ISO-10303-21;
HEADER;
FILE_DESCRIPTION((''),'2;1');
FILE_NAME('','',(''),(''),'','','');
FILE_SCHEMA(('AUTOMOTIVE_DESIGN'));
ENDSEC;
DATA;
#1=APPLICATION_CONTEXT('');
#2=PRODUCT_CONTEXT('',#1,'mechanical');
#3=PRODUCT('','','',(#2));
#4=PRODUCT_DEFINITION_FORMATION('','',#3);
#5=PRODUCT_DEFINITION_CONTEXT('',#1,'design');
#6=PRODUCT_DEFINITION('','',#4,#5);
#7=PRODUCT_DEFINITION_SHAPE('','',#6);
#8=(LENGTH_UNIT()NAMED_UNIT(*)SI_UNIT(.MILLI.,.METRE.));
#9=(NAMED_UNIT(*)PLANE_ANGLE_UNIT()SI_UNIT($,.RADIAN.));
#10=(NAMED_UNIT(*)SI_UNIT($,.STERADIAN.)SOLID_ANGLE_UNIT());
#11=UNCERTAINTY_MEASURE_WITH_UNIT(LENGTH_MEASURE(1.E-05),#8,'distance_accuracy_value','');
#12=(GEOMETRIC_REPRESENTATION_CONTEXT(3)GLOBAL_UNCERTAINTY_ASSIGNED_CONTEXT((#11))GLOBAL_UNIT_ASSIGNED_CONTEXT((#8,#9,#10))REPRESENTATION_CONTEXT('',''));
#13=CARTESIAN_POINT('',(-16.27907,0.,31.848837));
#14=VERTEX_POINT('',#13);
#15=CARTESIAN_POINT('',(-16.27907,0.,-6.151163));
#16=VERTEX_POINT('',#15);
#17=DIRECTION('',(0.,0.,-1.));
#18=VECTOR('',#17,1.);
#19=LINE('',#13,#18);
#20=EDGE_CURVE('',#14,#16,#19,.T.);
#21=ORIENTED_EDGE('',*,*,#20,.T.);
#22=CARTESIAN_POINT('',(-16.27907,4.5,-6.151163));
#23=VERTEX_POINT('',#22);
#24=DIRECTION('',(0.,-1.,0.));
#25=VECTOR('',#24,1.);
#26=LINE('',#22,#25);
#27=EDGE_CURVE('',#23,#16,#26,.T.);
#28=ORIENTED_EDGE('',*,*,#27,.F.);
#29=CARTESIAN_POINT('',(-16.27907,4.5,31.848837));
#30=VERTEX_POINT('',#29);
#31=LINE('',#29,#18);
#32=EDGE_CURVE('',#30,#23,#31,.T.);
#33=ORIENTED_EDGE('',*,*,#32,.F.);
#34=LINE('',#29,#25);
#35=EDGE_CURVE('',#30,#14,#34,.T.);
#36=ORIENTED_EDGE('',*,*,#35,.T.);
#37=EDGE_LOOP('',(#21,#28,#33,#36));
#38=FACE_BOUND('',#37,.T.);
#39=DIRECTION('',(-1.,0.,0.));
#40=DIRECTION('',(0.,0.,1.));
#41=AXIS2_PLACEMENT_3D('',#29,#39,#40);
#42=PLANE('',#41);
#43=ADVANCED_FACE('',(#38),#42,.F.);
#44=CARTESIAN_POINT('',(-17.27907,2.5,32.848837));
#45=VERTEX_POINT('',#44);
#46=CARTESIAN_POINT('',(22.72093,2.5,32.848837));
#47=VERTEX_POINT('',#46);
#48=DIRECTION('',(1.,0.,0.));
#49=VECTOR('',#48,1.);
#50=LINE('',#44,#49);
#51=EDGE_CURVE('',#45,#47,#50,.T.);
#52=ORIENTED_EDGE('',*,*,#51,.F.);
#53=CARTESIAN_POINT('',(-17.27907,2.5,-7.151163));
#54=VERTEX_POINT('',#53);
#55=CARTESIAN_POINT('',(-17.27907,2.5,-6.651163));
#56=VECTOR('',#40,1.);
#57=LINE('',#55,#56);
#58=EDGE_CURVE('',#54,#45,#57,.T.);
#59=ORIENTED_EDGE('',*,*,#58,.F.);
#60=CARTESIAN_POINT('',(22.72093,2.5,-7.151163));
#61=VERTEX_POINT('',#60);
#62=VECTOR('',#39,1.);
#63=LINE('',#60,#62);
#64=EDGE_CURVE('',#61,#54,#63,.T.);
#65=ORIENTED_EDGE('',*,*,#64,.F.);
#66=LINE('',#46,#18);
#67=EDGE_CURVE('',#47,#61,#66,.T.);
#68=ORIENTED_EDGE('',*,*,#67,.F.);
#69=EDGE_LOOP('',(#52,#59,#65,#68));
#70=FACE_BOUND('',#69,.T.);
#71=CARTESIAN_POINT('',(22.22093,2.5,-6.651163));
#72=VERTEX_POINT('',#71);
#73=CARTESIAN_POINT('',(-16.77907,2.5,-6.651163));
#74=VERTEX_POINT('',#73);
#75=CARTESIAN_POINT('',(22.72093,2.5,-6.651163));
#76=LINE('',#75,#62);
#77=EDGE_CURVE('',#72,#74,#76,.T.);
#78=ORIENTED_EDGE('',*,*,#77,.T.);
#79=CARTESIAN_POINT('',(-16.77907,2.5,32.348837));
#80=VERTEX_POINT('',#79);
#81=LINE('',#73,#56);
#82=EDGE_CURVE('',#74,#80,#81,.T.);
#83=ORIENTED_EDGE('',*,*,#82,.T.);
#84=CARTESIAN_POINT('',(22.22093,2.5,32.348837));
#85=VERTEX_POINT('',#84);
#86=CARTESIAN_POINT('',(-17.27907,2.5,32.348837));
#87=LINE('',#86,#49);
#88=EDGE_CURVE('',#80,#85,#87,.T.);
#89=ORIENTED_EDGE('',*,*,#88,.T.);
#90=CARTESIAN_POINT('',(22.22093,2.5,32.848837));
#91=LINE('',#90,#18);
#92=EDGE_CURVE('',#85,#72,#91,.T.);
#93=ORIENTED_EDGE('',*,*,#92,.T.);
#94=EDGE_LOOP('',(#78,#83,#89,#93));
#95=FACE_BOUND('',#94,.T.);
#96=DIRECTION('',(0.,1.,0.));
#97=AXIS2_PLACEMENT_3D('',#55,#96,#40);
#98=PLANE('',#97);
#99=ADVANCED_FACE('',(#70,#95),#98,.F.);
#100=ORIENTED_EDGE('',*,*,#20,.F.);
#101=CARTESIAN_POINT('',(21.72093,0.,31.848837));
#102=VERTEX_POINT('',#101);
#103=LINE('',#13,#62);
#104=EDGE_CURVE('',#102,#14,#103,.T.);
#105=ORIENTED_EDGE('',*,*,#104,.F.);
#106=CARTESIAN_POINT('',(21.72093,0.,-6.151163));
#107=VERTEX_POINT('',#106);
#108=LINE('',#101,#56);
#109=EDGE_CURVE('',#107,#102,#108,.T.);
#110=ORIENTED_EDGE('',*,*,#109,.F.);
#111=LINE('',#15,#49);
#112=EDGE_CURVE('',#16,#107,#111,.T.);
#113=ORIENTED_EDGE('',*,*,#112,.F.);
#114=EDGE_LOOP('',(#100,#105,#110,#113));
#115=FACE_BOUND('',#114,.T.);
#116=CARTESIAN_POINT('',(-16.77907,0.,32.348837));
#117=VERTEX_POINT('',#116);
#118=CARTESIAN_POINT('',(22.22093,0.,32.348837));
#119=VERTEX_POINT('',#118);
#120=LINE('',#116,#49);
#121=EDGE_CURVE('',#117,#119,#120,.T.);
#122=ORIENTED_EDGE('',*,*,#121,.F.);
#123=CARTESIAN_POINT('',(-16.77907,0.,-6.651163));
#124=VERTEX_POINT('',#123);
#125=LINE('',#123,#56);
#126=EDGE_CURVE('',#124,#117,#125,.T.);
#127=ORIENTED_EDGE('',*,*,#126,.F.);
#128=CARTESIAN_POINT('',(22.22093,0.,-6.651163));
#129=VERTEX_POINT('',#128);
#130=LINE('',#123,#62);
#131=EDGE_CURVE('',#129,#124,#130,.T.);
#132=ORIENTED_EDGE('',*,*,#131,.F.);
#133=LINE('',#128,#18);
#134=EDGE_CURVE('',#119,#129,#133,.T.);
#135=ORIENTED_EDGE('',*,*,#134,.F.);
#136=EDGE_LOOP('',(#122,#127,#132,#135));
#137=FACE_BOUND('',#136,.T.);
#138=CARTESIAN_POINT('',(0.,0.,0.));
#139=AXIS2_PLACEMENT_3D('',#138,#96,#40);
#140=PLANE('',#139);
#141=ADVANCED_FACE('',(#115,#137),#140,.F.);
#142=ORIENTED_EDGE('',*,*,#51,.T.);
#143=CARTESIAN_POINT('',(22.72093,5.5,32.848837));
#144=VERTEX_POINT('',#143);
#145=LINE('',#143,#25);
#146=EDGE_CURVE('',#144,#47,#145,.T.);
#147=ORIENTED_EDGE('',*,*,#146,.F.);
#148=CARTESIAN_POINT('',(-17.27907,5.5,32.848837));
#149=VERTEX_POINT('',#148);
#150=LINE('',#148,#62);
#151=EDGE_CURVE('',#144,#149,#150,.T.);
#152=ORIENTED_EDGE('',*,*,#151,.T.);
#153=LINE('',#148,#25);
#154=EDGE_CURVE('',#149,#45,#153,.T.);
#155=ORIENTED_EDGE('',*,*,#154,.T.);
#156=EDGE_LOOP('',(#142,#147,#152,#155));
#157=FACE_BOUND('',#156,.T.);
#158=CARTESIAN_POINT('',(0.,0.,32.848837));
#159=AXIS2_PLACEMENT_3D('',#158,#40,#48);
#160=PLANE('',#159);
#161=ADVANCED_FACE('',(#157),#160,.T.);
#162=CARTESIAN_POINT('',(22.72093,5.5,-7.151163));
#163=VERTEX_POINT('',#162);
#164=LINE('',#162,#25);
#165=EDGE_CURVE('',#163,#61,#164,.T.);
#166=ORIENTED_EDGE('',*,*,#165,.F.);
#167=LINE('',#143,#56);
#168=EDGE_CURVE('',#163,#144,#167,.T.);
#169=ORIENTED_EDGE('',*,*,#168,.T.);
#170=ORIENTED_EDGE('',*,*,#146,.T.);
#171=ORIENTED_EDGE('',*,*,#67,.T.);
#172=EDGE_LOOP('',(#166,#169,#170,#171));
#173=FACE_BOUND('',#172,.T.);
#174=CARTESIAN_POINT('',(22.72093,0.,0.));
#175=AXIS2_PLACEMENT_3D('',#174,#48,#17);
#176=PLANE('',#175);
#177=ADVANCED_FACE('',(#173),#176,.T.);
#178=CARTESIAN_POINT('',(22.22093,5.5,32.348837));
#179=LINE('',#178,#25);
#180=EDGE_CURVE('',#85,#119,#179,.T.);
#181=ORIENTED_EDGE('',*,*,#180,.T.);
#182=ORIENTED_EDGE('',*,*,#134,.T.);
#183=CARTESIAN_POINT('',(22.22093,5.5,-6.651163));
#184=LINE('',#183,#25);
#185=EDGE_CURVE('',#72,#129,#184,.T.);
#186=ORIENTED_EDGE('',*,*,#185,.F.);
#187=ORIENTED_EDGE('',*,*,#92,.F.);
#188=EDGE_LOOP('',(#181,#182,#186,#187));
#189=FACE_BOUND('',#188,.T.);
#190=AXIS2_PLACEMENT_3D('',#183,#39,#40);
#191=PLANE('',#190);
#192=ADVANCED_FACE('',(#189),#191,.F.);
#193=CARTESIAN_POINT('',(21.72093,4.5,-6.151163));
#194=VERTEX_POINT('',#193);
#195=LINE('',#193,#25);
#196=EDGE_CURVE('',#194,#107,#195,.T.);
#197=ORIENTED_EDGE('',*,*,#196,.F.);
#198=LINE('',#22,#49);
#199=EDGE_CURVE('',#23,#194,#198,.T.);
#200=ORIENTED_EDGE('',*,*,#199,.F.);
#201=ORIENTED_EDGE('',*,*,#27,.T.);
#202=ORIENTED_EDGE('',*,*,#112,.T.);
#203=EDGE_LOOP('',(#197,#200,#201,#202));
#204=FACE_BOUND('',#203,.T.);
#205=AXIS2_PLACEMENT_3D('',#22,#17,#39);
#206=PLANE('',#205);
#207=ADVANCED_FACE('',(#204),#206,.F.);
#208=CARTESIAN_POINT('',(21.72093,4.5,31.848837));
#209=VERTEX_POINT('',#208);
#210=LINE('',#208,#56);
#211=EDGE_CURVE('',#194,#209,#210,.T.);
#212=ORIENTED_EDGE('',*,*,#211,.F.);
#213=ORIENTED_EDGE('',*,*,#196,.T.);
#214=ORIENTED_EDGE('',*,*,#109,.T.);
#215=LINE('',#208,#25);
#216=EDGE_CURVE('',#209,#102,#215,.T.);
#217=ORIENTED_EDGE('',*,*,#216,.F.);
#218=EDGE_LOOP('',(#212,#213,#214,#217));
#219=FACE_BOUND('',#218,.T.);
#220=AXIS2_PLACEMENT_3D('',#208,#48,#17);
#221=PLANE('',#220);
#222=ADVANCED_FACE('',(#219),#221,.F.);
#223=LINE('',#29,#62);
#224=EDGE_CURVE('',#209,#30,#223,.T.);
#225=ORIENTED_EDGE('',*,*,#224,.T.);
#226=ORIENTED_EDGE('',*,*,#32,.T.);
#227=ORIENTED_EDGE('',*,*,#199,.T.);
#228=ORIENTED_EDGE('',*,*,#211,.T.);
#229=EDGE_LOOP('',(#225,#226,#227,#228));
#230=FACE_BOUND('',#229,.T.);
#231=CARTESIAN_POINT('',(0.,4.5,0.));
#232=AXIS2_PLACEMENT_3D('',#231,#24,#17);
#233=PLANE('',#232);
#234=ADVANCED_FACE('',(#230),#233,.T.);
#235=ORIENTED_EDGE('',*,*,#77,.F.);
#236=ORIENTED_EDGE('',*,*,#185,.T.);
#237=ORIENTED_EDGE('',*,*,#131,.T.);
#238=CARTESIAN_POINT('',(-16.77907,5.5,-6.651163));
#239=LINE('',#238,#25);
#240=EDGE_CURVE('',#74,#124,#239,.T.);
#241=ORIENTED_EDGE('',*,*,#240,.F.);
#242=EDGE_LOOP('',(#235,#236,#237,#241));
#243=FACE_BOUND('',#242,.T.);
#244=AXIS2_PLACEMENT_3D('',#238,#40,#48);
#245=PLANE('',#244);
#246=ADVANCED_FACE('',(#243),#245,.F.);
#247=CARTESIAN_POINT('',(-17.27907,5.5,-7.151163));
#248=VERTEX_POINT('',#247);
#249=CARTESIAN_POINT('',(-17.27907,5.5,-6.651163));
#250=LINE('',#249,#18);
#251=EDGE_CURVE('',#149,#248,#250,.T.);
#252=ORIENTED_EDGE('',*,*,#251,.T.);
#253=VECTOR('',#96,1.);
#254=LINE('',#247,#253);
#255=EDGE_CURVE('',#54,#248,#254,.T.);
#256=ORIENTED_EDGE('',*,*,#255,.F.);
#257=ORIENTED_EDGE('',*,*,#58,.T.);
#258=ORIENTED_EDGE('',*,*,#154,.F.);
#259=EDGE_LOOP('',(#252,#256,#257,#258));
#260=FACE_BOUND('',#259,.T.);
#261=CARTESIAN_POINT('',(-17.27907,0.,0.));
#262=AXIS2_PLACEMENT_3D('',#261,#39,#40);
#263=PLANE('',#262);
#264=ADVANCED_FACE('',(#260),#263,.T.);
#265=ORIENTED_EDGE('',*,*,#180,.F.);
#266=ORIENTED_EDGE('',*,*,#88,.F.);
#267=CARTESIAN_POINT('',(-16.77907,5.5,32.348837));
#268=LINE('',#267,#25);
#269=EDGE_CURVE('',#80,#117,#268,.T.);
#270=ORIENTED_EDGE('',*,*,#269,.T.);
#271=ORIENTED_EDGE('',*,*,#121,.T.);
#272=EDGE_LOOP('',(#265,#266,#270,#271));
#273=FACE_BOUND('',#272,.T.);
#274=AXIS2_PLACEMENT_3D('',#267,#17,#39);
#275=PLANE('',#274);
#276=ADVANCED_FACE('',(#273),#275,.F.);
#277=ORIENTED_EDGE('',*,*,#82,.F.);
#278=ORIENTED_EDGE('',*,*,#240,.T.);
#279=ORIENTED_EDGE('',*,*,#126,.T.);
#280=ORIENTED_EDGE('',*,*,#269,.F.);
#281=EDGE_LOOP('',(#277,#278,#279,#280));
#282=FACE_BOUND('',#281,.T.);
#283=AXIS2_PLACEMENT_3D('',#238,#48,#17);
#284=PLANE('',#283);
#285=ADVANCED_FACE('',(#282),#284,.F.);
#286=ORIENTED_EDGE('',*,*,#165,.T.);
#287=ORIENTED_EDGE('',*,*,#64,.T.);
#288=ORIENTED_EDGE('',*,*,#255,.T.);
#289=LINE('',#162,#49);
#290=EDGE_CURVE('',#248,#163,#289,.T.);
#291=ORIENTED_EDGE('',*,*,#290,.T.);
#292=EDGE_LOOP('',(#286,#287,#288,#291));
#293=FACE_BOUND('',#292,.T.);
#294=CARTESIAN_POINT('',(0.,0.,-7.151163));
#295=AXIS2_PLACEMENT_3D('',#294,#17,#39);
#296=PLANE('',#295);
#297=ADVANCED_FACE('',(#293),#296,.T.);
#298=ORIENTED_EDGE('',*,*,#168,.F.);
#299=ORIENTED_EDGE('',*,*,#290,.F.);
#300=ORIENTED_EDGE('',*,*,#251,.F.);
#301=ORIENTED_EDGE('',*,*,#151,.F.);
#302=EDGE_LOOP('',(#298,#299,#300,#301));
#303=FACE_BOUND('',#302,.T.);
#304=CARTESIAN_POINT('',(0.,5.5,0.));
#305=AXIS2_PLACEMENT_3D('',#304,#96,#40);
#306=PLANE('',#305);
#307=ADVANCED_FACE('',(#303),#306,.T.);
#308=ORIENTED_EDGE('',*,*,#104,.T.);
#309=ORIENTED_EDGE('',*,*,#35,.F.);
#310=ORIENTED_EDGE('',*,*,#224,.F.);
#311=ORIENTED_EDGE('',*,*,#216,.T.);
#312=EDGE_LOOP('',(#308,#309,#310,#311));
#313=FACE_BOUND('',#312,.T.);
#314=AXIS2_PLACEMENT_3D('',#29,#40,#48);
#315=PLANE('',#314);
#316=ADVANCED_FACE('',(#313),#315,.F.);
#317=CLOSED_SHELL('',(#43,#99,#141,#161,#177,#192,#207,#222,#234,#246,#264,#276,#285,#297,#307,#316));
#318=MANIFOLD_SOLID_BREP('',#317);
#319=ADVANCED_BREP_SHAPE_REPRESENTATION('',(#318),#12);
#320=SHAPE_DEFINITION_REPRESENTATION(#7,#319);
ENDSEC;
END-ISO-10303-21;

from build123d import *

# Parameters (mm, degrees)
SKETCH_1_W          = 39
SKETCH_1_H          = 39
EXTRUDE_1_DEPTH     = 5.5
SKETCH_2_W          = 39
SKETCH_2_H          = 3
EXTRUDE_2_DEPTH     = 0.5
SKETCH_3_W          = 39.5
SKETCH_3_H          = 3
EXTRUDE_3_DEPTH     = 0.5
SKETCH_5_W          = 39.5
SKETCH_5_H          = 3
EXTRUDE_4_DEPTH     = 0.5
SKETCH_6_W          = 40
SKETCH_6_H          = 3
EXTRUDE_5_DEPTH     = 0.5
SKETCH_7_W          = 38
SKETCH_7_H          = 38
CUT_EXTRUDE_1_DEPTH = 4.5


with BuildPart() as part:
    # Эскиз1 → Бобышка-Вытянуть1 (new body)
    with BuildSketch(Plane(origin=(0, 0, 0), x_dir=(1, 0, 0), z_dir=(0, 1, 0))):
        with Locations((2.720930233, -12.848837209)):
            Rectangle(SKETCH_1_W, SKETCH_1_H)
    extrude(amount=EXTRUDE_1_DEPTH)

    # Эскиз2 → Бобышка-Вытянуть2 (add)
    with BuildSketch(Plane.ZY.offset(16.779069767)):
        with Locations((12.848837209, 4)):
            Rectangle(SKETCH_2_W, SKETCH_2_H)
    extrude(amount=EXTRUDE_2_DEPTH)

    # Эскиз3 → Бобышка-Вытянуть3 (add)
    with BuildSketch(Plane.XY.offset(32.348837209)):
        with Locations((2.470930233, 4)):
            Rectangle(SKETCH_3_W, SKETCH_3_H)
    extrude(amount=EXTRUDE_3_DEPTH)

    # Эскиз5 → Бобышка-Вытянуть4 (add)
    with BuildSketch(Plane(origin=(22.220930233, 0, 0), x_dir=(0, 0, -1), z_dir=(1, 0, 0))):
        with Locations((-13.098837209, 4)):
            Rectangle(SKETCH_5_W, SKETCH_5_H)
    extrude(amount=EXTRUDE_4_DEPTH)

    # Эскиз6 → Бобышка-Вытянуть5 (add)
    with BuildSketch(Plane(origin=(0, 0, -6.651162791), x_dir=(-1, 0, 0), z_dir=(0, 0, -1))):
        with Locations((-2.720930233, 4)):
            Rectangle(SKETCH_6_W, SKETCH_6_H)
    extrude(amount=EXTRUDE_5_DEPTH)

    # Эскиз7 → Вырез-Вытянуть1 (cut)
    with BuildSketch(Plane.XZ):
        with Locations((2.720930233, 12.848837209)):
            Rectangle(SKETCH_7_W, SKETCH_7_H)
    extrude(amount=-CUT_EXTRUDE_1_DEPTH, mode=Mode.SUBTRACT)


solid = part.part
